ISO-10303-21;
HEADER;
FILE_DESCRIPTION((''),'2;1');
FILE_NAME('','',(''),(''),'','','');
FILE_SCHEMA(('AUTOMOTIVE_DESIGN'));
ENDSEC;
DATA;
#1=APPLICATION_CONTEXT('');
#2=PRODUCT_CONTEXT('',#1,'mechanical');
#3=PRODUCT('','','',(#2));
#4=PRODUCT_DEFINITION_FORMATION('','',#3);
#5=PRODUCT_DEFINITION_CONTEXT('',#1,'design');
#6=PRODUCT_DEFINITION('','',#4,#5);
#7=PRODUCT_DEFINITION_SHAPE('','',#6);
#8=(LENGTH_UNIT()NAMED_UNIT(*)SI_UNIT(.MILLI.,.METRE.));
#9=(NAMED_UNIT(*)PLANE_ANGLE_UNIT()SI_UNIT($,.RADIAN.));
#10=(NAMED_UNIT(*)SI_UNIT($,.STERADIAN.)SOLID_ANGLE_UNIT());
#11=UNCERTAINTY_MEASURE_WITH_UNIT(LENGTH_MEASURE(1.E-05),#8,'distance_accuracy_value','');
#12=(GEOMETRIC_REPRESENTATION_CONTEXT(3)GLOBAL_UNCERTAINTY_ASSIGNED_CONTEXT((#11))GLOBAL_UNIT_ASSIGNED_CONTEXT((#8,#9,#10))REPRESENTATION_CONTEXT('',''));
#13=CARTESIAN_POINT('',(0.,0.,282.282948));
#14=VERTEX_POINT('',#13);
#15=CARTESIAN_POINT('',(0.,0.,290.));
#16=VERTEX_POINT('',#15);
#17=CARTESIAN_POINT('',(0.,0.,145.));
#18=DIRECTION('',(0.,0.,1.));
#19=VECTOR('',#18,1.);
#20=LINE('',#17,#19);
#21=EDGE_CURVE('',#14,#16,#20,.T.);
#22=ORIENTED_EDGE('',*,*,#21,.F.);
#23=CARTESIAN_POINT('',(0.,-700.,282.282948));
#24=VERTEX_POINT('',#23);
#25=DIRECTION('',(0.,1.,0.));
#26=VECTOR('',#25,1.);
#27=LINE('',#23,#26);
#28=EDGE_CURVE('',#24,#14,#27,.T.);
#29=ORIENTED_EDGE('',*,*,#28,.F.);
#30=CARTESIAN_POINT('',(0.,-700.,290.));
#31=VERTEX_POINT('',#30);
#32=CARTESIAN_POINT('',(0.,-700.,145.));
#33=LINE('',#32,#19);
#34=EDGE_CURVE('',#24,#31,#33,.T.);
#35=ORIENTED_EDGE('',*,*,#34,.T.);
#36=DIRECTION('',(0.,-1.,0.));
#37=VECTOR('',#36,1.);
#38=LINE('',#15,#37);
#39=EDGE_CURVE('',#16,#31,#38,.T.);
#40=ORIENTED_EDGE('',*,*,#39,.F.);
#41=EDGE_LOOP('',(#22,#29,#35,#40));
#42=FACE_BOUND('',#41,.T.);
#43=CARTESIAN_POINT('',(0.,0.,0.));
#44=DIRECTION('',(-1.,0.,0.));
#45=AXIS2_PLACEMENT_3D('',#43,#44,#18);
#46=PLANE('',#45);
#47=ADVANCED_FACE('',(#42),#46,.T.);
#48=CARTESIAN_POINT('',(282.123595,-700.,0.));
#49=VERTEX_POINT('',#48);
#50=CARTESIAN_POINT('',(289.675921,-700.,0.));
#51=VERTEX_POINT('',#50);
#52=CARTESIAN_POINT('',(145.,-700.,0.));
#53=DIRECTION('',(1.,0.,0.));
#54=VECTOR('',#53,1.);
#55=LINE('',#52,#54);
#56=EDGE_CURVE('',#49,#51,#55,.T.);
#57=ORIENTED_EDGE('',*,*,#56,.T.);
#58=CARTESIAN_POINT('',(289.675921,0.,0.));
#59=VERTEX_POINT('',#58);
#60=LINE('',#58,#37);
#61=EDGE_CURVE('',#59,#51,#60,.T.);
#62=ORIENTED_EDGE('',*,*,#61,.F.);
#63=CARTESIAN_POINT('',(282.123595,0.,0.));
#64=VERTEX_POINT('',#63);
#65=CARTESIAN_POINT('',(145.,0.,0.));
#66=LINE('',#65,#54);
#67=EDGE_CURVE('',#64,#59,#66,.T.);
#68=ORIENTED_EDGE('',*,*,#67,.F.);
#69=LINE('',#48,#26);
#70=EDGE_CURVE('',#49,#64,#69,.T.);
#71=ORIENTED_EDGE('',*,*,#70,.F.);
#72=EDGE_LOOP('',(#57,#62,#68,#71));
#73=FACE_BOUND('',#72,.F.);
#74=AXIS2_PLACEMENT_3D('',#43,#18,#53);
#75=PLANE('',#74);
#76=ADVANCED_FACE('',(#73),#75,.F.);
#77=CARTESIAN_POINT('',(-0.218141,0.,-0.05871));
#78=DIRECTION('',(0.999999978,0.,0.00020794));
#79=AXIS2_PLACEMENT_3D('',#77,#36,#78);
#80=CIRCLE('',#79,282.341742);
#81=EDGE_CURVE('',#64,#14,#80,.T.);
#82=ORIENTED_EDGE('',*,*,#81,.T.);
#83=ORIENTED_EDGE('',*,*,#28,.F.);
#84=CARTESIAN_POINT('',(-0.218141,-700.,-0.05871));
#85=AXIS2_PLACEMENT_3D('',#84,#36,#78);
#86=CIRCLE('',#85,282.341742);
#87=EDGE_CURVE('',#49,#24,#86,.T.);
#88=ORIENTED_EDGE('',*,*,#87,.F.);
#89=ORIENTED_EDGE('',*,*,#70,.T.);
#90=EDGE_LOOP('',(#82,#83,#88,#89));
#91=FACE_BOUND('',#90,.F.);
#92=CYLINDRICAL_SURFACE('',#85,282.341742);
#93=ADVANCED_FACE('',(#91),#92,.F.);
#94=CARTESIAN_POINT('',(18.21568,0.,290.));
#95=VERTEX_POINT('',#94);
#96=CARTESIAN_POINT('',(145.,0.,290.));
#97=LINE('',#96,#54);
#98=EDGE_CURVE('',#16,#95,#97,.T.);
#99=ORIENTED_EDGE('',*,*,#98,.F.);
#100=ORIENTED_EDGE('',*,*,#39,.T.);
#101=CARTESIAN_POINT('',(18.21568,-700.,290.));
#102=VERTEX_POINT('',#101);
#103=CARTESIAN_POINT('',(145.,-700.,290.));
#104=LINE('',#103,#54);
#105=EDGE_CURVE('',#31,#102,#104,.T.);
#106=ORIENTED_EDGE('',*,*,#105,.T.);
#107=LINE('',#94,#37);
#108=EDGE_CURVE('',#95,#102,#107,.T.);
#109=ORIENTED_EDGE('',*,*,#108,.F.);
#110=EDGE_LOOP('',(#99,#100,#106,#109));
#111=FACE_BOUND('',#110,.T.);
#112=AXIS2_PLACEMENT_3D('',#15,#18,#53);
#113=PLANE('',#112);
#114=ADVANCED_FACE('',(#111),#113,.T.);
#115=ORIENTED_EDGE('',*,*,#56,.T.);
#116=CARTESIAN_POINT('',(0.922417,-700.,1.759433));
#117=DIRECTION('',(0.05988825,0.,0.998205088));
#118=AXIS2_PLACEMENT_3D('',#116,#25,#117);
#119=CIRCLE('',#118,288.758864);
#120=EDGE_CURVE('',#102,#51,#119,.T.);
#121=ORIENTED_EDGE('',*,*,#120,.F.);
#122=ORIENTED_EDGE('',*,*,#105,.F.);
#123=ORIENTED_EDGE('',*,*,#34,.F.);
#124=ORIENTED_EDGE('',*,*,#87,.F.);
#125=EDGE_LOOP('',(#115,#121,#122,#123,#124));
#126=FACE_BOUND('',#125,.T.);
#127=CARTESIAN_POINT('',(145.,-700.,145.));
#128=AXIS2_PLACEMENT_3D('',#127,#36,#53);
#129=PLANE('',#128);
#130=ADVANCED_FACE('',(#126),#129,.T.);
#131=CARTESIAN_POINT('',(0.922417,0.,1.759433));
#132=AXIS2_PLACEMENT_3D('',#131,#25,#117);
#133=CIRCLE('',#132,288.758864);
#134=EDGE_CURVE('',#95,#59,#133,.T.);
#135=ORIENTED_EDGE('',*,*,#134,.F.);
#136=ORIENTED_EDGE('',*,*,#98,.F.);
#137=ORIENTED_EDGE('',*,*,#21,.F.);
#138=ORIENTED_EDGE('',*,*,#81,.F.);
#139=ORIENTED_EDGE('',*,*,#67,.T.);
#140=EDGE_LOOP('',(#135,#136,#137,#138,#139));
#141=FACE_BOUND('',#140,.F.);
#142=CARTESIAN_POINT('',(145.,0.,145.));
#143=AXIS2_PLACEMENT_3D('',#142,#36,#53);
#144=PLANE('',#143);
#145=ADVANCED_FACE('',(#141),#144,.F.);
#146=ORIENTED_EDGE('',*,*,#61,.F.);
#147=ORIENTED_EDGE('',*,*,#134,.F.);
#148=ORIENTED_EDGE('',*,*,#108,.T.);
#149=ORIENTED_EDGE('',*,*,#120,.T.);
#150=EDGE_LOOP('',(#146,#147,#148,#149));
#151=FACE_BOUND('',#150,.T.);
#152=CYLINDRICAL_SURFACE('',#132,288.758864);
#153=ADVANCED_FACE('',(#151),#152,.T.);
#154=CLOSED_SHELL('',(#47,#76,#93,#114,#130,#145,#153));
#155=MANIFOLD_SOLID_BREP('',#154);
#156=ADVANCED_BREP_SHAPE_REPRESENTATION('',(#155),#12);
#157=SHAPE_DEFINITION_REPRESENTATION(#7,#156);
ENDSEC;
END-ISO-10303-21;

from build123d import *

# Parameters (mm, degrees)
F0_W     = 290
F0_H     = 290
F1_DEPTH = 700
F3_DEPTH = 795
F5_DEPTH = 770


with BuildPart() as f1:
    # F0 (on Front) → F1 (new body)
    with BuildSketch(Plane.XZ):
        with Locations((145, 145)):
            Rectangle(F0_W, F0_H)
    extrude(amount=F1_DEPTH)

    # F2 (on face) → F3 (cut)
    with BuildSketch(Plane.XZ):
        with BuildLine():
            ThreePointArc((18.21568, 290), (211.733128, 199.092972), (289.675921, 0))
            Line((289.675921, 0), (290, 0))
            Line((290, 0), (290, 290))
            Line((290, 290), (18.21568, 290))
        make_face()
    extrude(amount=F3_DEPTH, mode=Mode.SUBTRACT)

    # F4 (on face) → F5 (cut)
    with BuildSketch(Plane.XZ.offset(700)):
        with BuildLine():
            Line((0, 0), (282.123595, 0))
            ThreePointArc((282.123595, 0), (199.483979, 199.530675), (0, 282.282948))
            Line((0, 282.282948), (0, 0))
        make_face()
    extrude(amount=-F5_DEPTH, mode=Mode.SUBTRACT)


solid = f1.part
